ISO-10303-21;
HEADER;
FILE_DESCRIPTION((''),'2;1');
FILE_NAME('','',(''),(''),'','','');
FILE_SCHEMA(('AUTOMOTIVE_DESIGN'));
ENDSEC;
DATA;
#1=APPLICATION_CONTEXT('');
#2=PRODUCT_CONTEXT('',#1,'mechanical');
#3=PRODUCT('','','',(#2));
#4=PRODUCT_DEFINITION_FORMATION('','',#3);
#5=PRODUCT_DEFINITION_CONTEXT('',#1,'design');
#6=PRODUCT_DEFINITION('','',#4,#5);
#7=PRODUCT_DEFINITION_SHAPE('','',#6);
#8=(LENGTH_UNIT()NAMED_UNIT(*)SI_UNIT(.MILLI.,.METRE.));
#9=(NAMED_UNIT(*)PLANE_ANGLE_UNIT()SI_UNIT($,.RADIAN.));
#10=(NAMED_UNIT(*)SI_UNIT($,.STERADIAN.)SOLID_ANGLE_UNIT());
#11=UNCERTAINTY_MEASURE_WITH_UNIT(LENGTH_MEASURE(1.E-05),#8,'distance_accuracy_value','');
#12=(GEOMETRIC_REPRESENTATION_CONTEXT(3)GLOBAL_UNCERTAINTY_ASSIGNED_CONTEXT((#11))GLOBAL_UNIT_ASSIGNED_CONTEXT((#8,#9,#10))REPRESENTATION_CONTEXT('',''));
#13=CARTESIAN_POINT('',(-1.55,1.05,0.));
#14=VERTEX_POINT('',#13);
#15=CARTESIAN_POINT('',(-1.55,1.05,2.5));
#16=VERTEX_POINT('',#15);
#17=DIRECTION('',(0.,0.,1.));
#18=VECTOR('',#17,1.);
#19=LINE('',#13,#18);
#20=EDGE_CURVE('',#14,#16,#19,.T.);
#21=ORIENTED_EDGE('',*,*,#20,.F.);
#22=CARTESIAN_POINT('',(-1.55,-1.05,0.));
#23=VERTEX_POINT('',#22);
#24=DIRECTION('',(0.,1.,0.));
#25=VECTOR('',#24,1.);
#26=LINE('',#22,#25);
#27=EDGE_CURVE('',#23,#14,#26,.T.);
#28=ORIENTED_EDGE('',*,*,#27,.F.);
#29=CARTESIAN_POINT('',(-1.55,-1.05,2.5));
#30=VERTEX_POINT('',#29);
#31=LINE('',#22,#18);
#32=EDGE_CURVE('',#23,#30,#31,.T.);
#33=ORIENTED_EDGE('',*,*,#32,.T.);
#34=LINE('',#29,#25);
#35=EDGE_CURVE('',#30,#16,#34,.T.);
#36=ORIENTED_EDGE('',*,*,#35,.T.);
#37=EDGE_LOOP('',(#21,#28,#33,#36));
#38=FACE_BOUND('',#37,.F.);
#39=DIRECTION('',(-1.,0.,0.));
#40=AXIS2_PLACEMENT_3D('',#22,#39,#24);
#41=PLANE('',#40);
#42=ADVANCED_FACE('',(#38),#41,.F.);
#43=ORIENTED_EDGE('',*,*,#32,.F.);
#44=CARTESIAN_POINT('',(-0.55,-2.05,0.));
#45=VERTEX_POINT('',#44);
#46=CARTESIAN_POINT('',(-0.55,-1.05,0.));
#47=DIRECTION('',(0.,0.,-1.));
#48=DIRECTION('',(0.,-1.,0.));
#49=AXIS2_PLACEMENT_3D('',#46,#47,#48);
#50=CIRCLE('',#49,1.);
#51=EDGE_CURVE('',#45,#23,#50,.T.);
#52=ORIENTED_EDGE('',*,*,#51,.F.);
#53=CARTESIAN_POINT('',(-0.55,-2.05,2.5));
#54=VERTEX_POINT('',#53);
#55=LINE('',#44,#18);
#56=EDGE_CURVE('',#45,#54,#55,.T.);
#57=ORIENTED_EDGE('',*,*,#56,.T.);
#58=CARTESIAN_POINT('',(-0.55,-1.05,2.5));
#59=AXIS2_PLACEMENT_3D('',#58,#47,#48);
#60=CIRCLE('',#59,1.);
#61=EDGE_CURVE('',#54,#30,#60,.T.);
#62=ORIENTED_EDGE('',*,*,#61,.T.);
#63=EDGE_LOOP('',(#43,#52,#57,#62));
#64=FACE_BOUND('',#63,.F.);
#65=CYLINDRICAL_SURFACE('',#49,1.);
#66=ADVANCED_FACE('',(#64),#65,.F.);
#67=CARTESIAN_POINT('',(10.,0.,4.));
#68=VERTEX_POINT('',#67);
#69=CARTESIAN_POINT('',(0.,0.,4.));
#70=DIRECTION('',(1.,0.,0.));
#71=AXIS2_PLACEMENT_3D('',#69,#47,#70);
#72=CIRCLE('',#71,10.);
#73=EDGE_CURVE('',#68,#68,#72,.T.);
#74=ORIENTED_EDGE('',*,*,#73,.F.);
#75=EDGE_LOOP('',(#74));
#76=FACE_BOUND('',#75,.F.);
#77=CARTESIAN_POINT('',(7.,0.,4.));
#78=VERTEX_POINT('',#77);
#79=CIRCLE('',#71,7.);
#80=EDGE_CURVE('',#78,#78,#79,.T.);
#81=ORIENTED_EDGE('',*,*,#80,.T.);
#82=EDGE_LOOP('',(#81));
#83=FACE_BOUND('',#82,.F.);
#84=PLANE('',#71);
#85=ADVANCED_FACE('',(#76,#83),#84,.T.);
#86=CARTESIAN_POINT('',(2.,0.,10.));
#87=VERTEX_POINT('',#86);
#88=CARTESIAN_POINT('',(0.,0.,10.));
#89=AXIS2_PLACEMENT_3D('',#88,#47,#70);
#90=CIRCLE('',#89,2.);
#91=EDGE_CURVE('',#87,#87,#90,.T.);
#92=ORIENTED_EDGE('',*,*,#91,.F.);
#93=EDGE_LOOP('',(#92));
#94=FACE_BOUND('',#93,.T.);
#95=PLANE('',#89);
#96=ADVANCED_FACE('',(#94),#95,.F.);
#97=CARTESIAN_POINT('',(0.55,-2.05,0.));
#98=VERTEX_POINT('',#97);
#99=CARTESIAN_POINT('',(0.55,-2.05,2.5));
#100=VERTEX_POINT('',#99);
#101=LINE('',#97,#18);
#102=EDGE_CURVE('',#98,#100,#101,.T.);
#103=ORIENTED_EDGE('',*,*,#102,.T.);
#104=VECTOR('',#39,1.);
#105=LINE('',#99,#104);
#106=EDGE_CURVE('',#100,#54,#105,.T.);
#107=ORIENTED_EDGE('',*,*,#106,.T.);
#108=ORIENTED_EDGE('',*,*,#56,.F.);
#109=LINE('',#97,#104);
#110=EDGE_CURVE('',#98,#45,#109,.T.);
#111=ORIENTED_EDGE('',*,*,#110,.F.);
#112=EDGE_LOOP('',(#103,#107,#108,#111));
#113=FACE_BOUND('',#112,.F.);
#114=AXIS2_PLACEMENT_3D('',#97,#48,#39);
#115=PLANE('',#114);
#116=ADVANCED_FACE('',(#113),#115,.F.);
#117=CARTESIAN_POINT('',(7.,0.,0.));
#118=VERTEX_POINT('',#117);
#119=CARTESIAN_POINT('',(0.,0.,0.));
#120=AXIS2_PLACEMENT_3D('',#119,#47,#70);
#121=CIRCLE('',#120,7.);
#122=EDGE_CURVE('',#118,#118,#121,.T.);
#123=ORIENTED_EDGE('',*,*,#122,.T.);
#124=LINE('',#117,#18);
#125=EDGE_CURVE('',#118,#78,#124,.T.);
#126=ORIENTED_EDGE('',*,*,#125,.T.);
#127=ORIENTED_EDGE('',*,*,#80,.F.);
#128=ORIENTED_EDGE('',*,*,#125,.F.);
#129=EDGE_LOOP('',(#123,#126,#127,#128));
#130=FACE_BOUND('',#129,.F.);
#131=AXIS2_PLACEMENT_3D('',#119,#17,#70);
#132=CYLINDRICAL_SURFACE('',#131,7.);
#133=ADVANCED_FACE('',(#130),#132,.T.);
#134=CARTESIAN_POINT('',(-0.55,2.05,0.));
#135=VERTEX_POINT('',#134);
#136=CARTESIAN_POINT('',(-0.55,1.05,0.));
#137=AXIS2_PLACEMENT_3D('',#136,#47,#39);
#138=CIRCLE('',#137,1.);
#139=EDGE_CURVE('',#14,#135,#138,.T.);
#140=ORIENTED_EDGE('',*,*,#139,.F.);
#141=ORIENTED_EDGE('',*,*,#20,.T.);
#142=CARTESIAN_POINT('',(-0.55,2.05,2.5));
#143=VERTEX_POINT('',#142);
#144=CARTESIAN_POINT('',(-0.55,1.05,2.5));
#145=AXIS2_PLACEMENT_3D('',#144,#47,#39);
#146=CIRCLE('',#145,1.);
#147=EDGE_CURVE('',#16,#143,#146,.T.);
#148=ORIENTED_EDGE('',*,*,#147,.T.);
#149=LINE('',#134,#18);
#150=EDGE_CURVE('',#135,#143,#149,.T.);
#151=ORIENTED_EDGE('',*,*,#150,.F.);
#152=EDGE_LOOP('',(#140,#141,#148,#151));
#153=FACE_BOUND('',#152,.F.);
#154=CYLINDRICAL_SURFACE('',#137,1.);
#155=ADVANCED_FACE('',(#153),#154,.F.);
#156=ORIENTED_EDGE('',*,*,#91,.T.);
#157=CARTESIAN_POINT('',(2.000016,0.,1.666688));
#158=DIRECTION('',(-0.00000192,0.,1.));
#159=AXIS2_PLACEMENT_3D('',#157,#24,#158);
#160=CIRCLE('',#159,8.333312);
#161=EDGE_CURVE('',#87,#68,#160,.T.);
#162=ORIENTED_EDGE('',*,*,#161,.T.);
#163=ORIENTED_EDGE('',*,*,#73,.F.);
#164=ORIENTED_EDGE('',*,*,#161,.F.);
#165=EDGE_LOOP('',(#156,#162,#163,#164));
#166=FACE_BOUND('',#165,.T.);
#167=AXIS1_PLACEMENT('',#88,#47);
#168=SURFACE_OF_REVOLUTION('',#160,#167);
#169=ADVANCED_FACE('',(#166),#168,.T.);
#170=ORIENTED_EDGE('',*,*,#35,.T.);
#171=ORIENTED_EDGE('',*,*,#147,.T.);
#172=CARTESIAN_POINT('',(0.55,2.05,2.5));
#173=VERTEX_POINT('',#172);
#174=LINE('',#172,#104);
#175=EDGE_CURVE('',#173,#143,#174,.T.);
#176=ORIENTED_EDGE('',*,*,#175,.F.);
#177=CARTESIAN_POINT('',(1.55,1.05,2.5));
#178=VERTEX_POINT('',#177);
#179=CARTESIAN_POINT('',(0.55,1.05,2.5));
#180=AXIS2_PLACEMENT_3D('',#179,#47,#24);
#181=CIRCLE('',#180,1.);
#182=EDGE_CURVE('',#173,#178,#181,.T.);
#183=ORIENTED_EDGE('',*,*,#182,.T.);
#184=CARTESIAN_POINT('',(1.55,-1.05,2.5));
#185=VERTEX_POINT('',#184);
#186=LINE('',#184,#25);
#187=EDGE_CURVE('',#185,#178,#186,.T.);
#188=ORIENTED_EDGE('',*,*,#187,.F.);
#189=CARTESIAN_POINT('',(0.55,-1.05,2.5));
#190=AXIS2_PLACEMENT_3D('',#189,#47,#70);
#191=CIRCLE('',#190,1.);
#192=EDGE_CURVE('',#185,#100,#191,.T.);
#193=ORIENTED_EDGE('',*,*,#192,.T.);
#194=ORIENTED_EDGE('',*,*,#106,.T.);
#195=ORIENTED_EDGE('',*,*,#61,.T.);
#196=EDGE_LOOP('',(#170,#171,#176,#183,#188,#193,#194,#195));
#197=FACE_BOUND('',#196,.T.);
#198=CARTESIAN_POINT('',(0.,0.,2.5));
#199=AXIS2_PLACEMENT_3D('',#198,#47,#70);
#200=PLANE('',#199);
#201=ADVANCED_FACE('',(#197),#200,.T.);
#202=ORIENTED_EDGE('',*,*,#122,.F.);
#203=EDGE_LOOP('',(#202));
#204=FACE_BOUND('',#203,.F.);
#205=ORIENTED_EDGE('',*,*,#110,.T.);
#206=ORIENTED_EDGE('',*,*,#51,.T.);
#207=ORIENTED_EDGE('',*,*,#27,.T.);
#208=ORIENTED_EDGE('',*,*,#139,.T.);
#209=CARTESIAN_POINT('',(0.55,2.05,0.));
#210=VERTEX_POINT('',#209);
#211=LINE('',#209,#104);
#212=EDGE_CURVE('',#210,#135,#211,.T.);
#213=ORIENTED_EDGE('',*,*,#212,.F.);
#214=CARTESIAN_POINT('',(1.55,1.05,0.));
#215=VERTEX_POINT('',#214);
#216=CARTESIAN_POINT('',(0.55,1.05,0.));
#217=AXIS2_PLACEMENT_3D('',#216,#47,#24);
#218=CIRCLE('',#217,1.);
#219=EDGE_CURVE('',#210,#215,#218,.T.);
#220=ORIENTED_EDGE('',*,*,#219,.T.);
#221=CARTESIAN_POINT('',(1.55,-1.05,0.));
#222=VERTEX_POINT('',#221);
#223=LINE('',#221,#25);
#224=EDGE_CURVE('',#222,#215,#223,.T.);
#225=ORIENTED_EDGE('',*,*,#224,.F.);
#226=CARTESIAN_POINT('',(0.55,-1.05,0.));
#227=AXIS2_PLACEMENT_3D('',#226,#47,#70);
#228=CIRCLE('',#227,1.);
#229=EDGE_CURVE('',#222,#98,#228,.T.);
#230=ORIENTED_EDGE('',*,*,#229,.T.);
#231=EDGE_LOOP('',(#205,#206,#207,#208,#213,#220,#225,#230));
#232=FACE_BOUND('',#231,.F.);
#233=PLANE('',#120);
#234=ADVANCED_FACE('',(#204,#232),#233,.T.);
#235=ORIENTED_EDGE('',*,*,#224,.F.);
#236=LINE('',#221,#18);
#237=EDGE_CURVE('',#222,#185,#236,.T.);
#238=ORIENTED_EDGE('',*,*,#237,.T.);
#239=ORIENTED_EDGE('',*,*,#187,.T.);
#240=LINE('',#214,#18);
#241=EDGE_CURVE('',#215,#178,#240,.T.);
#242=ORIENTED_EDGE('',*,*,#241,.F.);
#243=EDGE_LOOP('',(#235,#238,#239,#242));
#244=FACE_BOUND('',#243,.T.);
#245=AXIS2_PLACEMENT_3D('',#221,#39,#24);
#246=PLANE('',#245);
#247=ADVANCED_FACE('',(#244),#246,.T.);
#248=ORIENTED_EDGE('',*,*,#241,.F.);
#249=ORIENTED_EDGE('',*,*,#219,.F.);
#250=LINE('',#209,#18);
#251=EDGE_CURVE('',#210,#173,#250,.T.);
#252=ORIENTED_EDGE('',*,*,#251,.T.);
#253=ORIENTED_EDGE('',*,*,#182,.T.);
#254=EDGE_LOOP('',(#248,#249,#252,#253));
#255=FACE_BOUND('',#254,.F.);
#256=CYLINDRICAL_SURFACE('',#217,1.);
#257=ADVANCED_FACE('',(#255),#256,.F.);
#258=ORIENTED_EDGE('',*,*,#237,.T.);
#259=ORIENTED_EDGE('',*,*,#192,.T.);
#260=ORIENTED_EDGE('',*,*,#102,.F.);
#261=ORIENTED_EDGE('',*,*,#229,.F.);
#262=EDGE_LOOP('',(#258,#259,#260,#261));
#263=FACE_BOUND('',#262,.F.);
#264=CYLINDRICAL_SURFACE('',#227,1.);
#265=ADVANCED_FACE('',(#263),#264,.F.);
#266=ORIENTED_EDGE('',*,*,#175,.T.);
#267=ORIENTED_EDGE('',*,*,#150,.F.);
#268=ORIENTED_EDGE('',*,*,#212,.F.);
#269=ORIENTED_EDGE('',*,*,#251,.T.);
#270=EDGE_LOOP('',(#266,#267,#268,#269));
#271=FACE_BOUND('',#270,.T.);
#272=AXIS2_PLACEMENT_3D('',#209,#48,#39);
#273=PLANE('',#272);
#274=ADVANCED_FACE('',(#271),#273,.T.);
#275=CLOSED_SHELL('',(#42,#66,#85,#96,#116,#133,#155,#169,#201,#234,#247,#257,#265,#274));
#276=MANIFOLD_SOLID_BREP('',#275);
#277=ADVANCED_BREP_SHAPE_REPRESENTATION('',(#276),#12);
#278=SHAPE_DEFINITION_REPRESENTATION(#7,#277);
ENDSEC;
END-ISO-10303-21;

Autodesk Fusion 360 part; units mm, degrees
sketch "Sketch1" plane through (0, 0, 0) normal (0, 1, 0) x (1, 0, 0)
  line L0 (0, 0) -> (7, 0)
  line L1 (7, 0) -> (7, -4)
  line L2 (7, -4) -> (10, -4)
  line L3 (0, -10) -> (0, 0)
  line L4 (0, -10) -> (2, -10)
  arc A0 (2, -10) -> (10, -4) centre (2, -1.6667) ccw
  dimension "d1" = 7
  dimension "d2" = 4
  dimension "d3" = 3
  dimension "d4" = 2
  dimension "d5" = 10
revolve "Revolve1" add sketch "Sketch1" angle 360 about axis through (0, 0, 10) along (0, 0, -1)
sketch "Sketch2" plane through (0, 0, 0) normal (0, 0, -1) x (1, 0, 0)
  circle A0 centre (0, 0) radius 7
  line L0 (1.55, 1.05) -> (1.55, -1.05)
  line L1 (-1.55, 1.05) -> (-1.55, -1.05)
  line L2 (0.55, -2.05) -> (-0.55, -2.05)
  line L3 (0.55, 2.05) -> (-0.55, 2.05)
  arc A1 (0.55, -2.05) -> (1.55, -1.05) centre (0.55, -1.05) ccw
  arc A2 (-0.55, 2.05) -> (-1.55, 1.05) centre (-0.55, 1.05) ccw
  arc A3 (-1.55, -1.05) -> (-0.55, -2.05) centre (-0.55, -1.05) ccw
  arc A4 (1.55, 1.05) -> (0.55, 2.05) centre (0.55, 1.05) ccw
  point P0 (0, -2.05)
  point P1 (1.55, 2.05)
  point P2 (1.55, -2.05)
  point P3 (1.55, 0)
  point P4 (-1.55, 2.05)
  dimension "d11" = 4.1
  dimension "d12" = 3.1
  dimension "d13" = 1
extrude "Extrude1" cut sketch "Sketch2" against normal blind 2.5 contours L0 L1 L2 L3 A1 A2 A3 A4
